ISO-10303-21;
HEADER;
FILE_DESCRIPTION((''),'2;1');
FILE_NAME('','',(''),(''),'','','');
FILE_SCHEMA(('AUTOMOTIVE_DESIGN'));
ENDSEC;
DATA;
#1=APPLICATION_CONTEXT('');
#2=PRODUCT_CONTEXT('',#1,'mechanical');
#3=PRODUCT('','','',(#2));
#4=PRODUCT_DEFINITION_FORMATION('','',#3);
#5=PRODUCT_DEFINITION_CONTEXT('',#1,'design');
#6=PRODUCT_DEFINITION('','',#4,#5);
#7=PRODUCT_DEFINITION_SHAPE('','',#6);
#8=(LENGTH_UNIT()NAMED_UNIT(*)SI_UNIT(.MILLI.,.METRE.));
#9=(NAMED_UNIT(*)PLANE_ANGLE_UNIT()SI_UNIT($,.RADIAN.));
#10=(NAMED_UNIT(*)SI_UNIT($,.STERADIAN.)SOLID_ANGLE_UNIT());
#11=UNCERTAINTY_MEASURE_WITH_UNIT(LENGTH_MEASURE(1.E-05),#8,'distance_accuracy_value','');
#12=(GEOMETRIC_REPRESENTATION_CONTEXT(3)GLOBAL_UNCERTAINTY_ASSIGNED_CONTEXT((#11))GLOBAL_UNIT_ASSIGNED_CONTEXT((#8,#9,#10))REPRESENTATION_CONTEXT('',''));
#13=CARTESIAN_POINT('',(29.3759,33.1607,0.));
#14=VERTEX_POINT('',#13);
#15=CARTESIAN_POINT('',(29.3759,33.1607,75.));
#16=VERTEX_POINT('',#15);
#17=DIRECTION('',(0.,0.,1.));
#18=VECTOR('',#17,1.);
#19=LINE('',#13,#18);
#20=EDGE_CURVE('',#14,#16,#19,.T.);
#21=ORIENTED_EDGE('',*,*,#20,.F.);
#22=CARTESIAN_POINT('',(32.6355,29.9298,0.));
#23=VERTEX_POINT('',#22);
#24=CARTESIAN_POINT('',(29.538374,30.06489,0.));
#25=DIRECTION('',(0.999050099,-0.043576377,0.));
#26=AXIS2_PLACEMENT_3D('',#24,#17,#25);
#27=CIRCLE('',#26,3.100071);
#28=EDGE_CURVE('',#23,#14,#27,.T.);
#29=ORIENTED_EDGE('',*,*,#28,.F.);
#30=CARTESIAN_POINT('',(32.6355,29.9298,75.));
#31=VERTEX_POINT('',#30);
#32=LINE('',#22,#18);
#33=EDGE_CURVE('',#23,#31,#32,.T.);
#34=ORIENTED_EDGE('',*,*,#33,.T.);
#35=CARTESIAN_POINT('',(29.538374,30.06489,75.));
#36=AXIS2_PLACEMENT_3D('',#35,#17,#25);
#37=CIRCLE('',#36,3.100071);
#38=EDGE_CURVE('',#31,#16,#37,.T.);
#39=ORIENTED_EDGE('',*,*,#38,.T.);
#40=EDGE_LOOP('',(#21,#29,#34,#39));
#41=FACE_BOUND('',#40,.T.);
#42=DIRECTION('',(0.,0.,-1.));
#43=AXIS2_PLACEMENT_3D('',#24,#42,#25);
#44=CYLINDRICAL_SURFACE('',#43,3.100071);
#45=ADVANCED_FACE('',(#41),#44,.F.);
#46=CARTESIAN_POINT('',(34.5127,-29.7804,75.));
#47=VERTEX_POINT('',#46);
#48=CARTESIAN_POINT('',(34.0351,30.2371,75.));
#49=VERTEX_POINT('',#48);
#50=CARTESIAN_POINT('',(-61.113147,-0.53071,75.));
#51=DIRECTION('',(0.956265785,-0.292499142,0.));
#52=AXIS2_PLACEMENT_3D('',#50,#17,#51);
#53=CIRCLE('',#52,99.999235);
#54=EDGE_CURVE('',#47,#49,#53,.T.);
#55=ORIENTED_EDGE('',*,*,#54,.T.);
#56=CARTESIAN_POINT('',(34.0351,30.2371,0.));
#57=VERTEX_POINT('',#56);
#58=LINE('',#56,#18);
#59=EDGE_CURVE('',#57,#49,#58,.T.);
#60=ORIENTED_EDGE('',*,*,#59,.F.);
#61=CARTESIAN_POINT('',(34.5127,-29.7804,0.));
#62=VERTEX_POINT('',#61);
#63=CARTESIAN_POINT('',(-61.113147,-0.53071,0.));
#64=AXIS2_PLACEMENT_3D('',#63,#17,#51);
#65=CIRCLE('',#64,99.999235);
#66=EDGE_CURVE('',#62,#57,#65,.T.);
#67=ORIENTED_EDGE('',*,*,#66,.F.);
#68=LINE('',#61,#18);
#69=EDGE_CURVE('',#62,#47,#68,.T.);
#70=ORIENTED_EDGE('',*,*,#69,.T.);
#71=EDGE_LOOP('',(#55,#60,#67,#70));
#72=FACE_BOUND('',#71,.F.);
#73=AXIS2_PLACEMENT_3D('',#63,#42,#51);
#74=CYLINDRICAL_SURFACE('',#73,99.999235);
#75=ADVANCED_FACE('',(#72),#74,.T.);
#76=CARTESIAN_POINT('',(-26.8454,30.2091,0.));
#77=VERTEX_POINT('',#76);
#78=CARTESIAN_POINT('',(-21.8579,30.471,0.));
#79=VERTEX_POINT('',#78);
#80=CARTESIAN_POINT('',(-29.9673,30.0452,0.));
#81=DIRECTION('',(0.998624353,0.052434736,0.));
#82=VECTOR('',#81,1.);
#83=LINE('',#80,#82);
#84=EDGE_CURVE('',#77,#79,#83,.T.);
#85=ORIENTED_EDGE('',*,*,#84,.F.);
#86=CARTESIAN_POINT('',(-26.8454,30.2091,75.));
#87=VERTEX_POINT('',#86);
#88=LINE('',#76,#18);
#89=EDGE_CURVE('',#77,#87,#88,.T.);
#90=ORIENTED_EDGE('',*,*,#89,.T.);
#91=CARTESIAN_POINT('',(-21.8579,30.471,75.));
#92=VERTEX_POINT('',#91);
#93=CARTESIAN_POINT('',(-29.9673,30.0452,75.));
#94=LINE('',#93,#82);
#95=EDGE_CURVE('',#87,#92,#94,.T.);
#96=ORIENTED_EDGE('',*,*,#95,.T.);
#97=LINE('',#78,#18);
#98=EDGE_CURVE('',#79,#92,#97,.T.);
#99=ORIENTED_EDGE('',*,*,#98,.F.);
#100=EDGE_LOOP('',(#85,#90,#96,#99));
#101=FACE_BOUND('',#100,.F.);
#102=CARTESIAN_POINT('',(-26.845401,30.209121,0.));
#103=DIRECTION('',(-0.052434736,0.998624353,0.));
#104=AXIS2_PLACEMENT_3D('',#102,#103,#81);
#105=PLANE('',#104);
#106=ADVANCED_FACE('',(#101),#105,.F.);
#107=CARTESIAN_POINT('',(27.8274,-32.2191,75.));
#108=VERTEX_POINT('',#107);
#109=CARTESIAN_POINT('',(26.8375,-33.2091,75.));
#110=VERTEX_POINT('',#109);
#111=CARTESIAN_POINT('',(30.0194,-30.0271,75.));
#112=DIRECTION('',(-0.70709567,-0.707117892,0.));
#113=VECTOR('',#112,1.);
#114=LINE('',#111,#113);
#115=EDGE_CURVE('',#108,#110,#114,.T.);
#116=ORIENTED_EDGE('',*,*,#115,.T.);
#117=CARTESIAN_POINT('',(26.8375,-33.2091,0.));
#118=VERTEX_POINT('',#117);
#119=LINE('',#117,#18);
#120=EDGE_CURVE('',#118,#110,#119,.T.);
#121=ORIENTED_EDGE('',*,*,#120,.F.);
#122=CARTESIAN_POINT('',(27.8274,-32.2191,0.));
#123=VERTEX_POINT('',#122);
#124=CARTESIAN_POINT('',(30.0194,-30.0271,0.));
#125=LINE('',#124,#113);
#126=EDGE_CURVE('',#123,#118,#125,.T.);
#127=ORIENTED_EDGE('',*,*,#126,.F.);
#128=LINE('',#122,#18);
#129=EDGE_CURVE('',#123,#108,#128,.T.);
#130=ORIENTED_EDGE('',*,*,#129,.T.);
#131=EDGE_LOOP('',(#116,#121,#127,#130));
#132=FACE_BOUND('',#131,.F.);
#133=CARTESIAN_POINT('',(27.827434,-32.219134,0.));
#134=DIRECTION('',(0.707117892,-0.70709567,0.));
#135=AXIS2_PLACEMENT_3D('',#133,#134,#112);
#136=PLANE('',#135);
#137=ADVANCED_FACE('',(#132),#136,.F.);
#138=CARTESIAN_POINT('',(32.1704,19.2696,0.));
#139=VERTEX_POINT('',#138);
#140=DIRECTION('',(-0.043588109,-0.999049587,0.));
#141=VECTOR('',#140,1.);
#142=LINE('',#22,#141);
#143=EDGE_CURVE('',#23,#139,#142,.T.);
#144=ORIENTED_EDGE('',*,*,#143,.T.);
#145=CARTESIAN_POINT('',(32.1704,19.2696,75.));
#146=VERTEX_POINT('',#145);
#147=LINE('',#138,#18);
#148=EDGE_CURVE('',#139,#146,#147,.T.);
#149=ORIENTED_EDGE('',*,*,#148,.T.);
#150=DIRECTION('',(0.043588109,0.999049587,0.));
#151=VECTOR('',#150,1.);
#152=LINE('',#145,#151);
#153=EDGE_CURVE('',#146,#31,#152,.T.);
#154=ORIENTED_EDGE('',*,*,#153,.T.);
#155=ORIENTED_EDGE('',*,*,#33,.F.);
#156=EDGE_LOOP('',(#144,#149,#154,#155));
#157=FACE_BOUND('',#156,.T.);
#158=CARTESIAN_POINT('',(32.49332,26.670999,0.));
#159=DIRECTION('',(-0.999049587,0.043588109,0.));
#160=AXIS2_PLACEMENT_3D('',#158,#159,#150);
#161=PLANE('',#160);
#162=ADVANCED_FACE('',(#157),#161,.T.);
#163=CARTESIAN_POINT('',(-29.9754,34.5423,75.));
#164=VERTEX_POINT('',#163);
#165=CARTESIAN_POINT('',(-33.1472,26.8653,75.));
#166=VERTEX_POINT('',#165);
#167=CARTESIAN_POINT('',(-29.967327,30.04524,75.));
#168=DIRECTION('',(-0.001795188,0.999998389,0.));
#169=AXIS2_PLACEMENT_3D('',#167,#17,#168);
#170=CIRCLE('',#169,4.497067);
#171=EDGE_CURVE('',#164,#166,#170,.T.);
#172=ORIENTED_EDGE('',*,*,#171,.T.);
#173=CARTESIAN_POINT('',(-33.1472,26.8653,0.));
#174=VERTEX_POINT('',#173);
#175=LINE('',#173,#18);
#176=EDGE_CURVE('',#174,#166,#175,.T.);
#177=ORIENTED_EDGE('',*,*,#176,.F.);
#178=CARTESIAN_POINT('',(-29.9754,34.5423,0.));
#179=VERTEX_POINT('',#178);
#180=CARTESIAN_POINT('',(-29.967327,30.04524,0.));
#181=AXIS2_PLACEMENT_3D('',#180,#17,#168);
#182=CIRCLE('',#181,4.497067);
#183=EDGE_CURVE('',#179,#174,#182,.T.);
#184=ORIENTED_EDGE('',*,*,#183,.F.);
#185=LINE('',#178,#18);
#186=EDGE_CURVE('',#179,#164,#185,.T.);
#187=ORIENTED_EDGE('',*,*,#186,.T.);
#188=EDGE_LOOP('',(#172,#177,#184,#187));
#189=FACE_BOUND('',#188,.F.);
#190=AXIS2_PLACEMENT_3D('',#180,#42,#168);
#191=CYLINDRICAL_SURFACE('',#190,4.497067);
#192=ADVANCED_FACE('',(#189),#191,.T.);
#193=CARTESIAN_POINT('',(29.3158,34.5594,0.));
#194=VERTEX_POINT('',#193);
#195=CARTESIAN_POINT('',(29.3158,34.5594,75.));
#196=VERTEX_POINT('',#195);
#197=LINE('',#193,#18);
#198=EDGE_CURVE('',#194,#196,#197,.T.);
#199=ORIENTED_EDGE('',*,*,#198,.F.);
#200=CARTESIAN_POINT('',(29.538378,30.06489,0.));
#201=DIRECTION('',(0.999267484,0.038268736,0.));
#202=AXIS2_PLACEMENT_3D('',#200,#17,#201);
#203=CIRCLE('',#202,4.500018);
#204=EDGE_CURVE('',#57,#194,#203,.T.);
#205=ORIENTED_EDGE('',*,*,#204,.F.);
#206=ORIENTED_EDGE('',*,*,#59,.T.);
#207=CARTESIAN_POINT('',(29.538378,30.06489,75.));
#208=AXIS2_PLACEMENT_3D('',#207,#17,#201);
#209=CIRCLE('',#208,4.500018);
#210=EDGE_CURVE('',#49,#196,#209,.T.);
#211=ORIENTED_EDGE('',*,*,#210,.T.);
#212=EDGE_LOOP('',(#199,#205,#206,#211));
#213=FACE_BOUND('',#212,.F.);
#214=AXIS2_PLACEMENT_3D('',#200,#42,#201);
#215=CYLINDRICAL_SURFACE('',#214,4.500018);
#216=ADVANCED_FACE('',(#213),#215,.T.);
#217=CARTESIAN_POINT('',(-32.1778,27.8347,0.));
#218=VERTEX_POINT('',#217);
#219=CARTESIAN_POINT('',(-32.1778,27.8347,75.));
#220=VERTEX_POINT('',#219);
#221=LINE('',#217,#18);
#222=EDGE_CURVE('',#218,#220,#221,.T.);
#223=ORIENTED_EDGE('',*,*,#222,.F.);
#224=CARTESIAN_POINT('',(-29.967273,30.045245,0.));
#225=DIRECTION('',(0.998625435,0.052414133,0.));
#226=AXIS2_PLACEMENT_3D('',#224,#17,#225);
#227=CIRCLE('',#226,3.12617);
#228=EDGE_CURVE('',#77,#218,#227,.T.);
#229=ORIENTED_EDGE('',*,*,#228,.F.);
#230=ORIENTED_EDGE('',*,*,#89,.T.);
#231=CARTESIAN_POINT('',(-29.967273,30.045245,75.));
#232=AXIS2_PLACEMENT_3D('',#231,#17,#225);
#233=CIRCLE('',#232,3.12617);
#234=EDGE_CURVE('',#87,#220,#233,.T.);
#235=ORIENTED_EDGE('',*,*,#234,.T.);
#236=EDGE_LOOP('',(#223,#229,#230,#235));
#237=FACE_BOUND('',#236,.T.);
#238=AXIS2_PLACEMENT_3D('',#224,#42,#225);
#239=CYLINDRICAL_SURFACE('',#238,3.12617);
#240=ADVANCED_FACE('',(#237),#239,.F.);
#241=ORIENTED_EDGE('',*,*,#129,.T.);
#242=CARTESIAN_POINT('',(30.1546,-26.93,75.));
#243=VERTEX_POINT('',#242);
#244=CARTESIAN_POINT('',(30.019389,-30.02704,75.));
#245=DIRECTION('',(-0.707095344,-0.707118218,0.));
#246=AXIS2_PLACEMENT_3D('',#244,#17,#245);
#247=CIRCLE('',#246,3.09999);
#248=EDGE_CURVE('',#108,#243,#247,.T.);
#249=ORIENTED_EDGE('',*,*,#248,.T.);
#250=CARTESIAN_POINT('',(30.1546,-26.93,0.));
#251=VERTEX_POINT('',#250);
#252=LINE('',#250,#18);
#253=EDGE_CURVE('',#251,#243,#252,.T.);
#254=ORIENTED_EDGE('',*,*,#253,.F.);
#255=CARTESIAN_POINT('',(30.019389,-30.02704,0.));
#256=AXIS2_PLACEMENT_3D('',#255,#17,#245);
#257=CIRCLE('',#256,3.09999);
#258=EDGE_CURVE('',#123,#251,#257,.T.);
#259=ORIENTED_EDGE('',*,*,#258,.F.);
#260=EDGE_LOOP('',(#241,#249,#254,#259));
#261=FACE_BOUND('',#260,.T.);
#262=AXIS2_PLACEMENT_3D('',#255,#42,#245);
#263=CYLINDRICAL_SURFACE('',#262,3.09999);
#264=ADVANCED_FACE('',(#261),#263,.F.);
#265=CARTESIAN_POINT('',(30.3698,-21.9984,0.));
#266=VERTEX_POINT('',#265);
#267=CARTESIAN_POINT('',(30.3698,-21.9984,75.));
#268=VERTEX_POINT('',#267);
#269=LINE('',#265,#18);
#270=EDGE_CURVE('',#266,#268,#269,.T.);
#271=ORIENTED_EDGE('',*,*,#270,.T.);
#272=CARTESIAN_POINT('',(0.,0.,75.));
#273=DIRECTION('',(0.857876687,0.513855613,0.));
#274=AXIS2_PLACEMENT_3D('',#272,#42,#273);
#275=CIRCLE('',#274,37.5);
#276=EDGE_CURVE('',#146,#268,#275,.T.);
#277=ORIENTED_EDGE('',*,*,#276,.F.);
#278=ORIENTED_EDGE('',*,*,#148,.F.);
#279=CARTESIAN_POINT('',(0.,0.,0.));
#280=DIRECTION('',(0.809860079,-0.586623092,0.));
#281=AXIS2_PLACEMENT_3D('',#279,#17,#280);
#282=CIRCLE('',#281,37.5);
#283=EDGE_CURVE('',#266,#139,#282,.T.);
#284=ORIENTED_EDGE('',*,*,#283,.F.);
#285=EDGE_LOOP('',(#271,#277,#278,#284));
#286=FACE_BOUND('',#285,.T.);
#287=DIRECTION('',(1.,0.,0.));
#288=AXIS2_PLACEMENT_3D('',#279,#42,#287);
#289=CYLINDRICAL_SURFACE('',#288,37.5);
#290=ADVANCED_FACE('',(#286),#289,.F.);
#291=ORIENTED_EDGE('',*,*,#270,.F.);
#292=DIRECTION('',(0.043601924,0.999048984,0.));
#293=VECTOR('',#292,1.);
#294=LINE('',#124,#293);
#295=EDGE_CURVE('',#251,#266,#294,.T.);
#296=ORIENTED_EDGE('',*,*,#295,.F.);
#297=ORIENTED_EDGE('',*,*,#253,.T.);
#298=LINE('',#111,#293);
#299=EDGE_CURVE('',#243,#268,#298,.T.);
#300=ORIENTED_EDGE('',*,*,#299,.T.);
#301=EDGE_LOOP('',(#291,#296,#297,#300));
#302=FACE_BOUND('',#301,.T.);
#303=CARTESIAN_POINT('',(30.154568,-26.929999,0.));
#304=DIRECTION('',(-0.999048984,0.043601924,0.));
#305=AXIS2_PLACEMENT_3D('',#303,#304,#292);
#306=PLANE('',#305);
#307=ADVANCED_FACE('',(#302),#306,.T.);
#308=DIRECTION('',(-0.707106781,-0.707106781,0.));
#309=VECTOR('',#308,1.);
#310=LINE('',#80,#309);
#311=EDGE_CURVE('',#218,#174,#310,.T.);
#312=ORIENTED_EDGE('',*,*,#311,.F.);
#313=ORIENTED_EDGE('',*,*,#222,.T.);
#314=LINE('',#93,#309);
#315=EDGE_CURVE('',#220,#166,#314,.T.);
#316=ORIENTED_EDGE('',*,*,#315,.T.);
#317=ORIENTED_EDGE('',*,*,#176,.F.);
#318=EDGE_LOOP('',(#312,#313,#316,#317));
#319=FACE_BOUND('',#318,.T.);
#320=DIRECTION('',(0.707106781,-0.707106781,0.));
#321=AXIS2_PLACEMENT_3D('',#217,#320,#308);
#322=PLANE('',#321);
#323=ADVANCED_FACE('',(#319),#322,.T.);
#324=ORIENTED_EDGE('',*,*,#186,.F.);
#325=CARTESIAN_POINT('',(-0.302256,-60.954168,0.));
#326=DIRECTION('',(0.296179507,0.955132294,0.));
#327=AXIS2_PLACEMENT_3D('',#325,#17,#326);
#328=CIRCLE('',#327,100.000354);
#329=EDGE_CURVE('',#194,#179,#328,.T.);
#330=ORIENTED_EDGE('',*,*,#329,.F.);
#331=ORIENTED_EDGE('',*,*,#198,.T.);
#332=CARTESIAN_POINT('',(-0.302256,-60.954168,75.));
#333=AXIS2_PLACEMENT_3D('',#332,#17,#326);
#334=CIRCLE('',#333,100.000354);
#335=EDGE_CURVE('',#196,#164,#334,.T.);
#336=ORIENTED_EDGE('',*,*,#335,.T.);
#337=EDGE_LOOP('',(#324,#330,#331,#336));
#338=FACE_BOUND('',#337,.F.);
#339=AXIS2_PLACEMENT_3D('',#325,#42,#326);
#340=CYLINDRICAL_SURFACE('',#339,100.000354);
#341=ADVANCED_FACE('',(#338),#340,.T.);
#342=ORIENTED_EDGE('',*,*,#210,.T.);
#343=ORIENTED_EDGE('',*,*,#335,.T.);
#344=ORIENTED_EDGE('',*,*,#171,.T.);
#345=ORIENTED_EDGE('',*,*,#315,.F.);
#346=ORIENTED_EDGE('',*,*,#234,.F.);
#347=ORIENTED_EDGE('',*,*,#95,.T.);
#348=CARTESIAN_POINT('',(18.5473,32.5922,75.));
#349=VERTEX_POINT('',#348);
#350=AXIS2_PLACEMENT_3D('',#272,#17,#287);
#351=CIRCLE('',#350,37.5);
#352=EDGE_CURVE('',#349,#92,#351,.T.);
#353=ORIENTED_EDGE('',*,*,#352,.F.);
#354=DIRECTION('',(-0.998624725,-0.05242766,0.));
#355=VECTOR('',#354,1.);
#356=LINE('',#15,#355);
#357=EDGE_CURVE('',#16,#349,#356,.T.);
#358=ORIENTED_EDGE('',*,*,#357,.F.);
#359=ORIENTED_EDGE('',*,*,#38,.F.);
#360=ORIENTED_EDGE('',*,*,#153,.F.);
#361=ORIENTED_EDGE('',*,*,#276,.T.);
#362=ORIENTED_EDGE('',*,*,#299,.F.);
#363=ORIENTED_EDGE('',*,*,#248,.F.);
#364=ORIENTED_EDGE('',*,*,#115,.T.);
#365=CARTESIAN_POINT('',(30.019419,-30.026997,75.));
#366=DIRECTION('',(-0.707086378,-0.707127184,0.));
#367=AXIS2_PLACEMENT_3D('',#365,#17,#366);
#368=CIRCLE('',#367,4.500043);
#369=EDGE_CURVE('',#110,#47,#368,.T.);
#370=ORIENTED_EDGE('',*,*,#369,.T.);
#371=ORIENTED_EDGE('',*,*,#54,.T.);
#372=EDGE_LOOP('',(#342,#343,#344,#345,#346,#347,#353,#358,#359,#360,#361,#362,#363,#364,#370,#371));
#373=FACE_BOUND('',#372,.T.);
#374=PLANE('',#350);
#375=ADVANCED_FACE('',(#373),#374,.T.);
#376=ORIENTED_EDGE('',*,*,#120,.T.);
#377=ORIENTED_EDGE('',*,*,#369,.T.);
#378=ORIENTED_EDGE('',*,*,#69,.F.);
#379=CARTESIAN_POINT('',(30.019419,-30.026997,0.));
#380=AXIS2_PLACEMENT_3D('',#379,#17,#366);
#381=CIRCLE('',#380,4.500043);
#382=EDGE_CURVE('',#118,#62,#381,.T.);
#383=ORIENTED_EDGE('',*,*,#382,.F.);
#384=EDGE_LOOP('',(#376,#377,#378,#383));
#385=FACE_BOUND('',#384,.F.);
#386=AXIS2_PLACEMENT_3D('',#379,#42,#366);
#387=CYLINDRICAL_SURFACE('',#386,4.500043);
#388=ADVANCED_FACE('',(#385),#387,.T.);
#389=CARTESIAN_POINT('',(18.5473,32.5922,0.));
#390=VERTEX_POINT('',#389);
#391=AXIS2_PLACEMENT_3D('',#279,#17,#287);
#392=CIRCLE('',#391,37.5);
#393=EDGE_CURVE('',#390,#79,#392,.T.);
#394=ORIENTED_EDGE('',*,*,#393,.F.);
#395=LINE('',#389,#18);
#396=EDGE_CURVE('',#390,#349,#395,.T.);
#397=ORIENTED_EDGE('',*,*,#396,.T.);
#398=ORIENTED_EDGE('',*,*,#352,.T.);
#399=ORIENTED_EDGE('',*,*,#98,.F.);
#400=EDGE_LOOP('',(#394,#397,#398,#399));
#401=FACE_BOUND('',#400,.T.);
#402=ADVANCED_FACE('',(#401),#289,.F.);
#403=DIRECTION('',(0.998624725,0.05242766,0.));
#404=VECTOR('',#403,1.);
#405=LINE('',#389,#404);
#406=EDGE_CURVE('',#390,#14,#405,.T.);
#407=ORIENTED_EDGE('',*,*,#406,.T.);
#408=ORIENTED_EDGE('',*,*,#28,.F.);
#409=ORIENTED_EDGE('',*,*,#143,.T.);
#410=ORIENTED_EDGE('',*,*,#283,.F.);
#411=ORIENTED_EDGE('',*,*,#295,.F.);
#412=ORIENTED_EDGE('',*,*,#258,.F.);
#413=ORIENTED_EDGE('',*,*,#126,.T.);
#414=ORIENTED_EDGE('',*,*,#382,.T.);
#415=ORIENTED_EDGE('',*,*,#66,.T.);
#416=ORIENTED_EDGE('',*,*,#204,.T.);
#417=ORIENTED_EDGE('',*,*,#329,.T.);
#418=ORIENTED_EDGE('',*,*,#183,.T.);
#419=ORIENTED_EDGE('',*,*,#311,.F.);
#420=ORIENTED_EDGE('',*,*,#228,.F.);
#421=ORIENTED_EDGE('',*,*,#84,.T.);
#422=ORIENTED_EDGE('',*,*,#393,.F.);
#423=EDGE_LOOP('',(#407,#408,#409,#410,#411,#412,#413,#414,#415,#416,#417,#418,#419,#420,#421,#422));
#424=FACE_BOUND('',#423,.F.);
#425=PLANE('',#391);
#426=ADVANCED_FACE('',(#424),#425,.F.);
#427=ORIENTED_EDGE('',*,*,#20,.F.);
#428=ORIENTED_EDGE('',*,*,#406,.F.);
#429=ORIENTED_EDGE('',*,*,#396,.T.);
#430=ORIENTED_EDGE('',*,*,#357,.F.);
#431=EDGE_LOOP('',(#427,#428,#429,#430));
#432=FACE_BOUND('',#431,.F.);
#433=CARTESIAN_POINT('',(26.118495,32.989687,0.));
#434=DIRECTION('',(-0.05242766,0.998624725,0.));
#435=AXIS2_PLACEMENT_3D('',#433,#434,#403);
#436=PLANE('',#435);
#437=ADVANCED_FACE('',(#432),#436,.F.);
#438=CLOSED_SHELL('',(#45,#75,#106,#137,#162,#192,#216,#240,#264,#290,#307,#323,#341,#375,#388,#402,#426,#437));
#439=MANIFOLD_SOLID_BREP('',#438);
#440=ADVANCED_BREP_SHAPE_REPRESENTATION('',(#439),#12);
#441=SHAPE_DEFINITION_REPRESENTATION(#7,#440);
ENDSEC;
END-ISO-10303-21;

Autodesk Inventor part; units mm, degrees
ref_plane "YZ Plane" through (0, 0, 0) normal (1, 0, 0) x (0, 1, 0)
ref_plane "XZ Plane" through (0, 0, 0) normal (0, 1, 0) x (-1, 0, 0)
ref_plane "XY Plane" through (0, 0, 0) normal (0, 0, 1) x (1, 0, 0)
sketch "Sketch1" plane through (0, 0, 0) normal (0, 0, 1) x (1, 0, 0)
  arc A0 (32.6355, 29.9298) -> (29.3759, 33.1607) centre (29.5384, 30.0649) ccw
  arc A1 (27.8274, -32.2191) -> (30.1546, -26.93) centre (30.0194, -30.0271) ccw
  arc A2 (32.4933, 26.671) -> (34.0351, 30.2371) centre (29.5384, 30.0649) ccw
  arc A3 (26.8375, -33.2091) -> (34.5127, -29.7804) centre (30.0194, -30.0271) ccw
  line L0 (-29.9673, 30.0452) -> (-33.1472, 26.8653)
  line L1 (-29.9673, 30.0452) -> (-25.4702, 30.0452) construction
  line L2 (-29.9673, 30.0452) -> (-21.8579, 30.471)
  line L3 (30.0194, -30.0271) -> (30.3698, -21.9984)
  line L4 (30.0194, -30.0271) -> (26.8375, -33.2091)
  circle A4 centre (0, 0) radius 37.5
  arc A5 (34.5127, -29.7804) -> (34.0351, 30.2371) centre (-61.1139, -0.5306) ccw
  arc A6 (29.3158, 34.5594) -> (-29.9754, 34.5423) centre (-0.3022, -60.9538) ccw
  line L5 (18.5473, 32.5922) -> (29.3759, 33.1607)
  line L6 (32.1704, 19.2696) -> (32.6355, 29.9298)
  arc A7 (29.3158, 34.5594) -> (26.1185, 32.9896) centre (29.5384, 30.0649) ccw
  arc A8 (34.0351, 30.2371) -> (29.3158, 34.5594) centre (29.5384, 30.0649) ccw
  arc A9 (-29.9754, 34.5423) -> (-33.1472, 26.8653) centre (-29.9673, 30.0452) ccw
  arc A10 (-26.8454, 30.2091) -> (-32.1778, 27.8347) centre (-29.9673, 30.0452) ccw
  dimension "d0" = 6.2
  dimension "d1" = 6.2
  dimension "d6" = 9
  dimension "d7" = 9
  dimension "d8" = 135
  dimension "d9" = 75
  dimension "d11" = 100
  dimension "d12" = 100
extrude "Extrusion1" add sketch "Sketch1" along normal blind 75 contours A0 L5 A7 A8 A2 L6 | A2 A5 A3 L4 A1 L3 A4 L6 | L5 A4 L2 A10 L0 A9 A6 A7
properties part number "Cage60mm-2sides-InnerD74mm-L75mm"
